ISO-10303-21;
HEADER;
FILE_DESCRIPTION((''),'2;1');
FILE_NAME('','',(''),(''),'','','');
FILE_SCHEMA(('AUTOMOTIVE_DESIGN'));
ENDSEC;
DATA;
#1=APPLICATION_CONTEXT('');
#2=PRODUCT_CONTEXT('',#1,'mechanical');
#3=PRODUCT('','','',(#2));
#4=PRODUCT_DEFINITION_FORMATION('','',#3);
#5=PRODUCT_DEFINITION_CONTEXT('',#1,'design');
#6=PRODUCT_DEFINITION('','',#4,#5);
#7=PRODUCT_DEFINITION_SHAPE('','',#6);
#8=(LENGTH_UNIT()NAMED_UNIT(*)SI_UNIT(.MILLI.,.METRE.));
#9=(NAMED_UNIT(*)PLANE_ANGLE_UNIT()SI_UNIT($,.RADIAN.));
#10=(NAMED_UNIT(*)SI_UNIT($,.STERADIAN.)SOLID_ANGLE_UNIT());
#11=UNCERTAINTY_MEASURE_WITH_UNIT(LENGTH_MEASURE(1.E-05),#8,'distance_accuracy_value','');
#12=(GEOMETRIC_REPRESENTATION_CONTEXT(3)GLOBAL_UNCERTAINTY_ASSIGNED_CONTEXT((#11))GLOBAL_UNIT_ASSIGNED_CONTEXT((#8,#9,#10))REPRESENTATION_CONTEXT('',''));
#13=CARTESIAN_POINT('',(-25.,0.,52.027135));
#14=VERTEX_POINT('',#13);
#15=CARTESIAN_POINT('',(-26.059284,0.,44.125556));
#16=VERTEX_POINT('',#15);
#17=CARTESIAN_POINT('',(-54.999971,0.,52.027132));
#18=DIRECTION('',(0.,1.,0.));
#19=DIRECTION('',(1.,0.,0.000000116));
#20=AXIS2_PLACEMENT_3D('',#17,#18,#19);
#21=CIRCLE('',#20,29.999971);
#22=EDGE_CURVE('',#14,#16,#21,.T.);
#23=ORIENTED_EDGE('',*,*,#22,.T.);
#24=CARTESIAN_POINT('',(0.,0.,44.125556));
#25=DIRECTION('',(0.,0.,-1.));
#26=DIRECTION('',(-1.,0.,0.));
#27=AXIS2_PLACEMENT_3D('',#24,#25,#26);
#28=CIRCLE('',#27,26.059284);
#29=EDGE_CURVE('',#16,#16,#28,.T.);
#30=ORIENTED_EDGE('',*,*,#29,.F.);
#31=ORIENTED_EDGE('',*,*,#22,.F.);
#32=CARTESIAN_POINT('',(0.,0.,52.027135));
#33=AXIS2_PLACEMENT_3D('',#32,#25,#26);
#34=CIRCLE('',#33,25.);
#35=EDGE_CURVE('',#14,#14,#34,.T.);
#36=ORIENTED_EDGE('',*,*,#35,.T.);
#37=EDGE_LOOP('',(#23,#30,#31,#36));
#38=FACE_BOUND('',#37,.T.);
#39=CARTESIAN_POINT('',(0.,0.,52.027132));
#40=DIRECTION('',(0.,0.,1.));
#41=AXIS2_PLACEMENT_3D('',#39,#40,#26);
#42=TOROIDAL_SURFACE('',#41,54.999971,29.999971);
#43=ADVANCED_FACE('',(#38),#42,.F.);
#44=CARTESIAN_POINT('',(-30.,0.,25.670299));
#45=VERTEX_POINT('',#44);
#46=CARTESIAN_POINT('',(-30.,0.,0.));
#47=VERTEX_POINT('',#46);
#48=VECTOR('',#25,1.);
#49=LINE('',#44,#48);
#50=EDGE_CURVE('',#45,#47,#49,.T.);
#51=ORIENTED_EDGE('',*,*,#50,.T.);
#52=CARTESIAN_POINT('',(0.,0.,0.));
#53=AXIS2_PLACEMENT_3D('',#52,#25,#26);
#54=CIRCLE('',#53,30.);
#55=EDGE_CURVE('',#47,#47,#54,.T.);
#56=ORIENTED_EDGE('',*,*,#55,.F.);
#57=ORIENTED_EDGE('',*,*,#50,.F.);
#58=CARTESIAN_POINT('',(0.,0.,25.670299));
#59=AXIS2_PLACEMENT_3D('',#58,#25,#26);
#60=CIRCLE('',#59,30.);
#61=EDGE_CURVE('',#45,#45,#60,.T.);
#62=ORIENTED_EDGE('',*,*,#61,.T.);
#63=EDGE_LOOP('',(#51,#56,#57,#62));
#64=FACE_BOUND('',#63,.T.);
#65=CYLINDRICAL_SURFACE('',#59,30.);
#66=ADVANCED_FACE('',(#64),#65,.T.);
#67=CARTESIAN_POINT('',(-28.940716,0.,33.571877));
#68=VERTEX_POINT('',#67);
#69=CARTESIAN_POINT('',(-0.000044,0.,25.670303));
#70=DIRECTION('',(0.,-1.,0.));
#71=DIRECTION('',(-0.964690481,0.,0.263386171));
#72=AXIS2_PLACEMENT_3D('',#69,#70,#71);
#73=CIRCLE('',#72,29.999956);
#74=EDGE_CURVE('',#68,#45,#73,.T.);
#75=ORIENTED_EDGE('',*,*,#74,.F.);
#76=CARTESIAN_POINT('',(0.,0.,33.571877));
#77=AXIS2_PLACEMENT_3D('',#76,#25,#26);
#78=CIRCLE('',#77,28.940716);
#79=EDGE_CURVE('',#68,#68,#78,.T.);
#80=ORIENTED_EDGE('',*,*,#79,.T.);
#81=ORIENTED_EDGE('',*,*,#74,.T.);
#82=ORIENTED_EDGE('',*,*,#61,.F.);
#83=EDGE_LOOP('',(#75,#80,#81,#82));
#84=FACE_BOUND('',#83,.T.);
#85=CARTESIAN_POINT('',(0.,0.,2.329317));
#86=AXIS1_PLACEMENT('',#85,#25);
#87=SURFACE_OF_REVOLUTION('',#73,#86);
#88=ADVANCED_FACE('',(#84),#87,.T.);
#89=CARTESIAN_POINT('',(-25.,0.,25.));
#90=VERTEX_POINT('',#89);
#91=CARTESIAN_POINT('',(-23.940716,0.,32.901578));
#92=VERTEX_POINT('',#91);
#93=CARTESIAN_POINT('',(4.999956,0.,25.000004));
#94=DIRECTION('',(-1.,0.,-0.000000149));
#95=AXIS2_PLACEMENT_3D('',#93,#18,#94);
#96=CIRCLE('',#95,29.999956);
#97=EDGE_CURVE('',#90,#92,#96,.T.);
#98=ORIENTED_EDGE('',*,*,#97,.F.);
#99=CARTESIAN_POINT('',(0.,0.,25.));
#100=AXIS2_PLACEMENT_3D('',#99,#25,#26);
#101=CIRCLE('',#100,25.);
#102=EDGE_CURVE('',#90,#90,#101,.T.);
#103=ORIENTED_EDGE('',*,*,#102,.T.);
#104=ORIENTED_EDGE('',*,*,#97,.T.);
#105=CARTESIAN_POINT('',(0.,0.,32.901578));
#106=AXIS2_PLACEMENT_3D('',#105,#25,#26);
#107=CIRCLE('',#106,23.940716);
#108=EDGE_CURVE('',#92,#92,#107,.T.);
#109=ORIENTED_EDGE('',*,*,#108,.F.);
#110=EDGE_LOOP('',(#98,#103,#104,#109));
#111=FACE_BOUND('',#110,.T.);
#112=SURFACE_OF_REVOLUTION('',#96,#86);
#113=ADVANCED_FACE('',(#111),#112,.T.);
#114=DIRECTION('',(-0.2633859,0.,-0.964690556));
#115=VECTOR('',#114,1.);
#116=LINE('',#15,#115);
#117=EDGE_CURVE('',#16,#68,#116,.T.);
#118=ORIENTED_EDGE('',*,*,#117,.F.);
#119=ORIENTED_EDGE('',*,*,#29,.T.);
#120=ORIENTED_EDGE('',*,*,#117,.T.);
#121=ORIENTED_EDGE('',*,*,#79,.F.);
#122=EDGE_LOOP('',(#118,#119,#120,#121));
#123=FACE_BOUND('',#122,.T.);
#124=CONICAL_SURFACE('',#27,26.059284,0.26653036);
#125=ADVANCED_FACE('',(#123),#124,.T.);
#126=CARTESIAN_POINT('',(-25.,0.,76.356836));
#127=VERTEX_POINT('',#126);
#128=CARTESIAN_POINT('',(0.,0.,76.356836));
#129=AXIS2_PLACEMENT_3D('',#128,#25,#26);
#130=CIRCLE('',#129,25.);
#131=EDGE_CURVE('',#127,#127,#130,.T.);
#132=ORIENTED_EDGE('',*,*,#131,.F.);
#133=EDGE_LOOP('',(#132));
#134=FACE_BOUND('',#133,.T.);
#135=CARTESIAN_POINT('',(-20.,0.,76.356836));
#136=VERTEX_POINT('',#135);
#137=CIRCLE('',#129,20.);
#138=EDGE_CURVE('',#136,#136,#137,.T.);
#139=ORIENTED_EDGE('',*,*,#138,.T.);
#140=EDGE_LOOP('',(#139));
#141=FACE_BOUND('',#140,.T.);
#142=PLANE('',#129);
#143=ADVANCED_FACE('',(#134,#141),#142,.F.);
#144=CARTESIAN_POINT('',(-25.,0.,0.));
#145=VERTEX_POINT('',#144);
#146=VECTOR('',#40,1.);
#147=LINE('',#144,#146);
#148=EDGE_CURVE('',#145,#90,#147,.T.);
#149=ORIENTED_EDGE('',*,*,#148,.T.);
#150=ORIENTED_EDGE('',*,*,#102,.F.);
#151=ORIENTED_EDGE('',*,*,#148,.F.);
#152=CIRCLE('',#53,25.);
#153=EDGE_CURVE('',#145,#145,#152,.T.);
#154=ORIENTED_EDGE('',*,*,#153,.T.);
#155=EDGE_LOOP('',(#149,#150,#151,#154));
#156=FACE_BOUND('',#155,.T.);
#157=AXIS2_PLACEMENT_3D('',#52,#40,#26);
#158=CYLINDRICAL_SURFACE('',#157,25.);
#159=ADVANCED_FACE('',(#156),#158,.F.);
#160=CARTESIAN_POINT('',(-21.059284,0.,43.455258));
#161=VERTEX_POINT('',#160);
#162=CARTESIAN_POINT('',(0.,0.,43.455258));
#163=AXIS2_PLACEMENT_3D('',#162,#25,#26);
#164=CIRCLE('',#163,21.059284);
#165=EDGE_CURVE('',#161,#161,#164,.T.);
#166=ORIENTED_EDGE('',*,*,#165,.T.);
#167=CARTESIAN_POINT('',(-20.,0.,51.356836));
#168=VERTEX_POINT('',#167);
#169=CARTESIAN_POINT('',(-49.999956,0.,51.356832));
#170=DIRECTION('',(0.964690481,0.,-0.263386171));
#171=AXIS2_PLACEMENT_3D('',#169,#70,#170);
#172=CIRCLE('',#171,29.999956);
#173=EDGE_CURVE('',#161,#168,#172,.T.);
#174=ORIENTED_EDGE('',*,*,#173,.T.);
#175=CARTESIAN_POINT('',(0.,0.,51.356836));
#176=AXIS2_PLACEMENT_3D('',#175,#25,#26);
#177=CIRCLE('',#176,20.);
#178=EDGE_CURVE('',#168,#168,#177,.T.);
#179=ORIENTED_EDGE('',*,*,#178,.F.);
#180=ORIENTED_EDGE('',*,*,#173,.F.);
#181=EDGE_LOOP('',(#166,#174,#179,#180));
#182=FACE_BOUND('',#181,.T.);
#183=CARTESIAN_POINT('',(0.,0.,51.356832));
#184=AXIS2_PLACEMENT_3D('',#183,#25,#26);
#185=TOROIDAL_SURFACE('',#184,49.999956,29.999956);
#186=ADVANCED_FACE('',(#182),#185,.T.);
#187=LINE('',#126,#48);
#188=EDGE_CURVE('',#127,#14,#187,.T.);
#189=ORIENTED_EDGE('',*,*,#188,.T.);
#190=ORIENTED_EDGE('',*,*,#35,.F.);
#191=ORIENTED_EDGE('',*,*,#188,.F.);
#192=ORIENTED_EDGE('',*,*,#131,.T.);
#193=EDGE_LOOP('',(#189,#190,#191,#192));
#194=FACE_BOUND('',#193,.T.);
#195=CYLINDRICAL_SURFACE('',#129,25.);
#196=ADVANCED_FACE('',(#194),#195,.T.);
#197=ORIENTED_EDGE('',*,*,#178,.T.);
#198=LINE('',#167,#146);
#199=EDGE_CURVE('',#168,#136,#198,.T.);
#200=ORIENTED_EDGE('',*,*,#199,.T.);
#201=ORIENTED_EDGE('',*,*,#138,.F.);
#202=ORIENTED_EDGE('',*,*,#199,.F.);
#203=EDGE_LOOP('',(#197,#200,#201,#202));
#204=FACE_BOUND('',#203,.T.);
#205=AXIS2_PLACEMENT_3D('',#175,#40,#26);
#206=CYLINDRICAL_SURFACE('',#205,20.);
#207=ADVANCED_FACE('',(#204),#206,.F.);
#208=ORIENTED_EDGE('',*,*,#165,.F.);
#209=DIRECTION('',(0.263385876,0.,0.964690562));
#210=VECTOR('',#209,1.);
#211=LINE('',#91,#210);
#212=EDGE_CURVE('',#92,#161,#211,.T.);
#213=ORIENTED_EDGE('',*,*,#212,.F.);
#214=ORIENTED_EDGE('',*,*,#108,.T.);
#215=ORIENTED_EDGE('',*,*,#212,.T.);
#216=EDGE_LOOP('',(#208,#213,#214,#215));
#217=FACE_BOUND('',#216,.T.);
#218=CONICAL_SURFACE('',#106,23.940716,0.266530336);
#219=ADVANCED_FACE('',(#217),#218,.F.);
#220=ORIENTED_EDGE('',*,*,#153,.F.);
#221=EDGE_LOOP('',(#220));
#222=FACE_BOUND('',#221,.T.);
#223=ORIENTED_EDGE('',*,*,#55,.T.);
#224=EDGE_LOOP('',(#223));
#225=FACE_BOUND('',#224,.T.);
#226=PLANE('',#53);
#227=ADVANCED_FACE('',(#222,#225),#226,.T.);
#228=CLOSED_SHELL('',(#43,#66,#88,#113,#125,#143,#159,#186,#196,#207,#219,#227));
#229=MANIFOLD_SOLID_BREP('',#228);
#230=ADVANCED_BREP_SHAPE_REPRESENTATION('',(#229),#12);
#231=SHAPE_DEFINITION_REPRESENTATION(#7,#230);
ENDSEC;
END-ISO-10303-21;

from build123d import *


with BuildPart() as f1:
    # F0 (on Front) → F1 (revolve)
    with BuildSketch(Plane.XZ):
        with BuildLine():
            Line((-30, 0), (-25, 0))
            Line((-25, 0), (-25, 25))
            ThreePointArc((-25, 25), (-24.734, 28.986133), (-23.940716, 32.901578))
            Line((-23.940716, 32.901578), (-21.059284, 43.455258))
            ThreePointArc((-21.059284, 43.455258), (-20.266, 47.370703), (-20, 51.356836))
            Line((-20, 51.356836), (-20, 76.356836))
            Line((-20, 76.356836), (-25, 76.356836))
            Line((-25, 76.356836), (-25, 52.027135))
            ThreePointArc((-25, 52.027135), (-25.266, 48.041002), (-26.059284, 44.125556))
            Line((-26.059284, 44.125556), (-28.940716, 33.571877))
            ThreePointArc((-28.940716, 33.571877), (-29.734, 29.656432), (-30, 25.670299))
            Line((-30, 25.670299), (-30, 0))
        make_face()
    revolve(axis=Axis((0, 0, 2.329317), (0, 0, -1)))


solid = f1.part
